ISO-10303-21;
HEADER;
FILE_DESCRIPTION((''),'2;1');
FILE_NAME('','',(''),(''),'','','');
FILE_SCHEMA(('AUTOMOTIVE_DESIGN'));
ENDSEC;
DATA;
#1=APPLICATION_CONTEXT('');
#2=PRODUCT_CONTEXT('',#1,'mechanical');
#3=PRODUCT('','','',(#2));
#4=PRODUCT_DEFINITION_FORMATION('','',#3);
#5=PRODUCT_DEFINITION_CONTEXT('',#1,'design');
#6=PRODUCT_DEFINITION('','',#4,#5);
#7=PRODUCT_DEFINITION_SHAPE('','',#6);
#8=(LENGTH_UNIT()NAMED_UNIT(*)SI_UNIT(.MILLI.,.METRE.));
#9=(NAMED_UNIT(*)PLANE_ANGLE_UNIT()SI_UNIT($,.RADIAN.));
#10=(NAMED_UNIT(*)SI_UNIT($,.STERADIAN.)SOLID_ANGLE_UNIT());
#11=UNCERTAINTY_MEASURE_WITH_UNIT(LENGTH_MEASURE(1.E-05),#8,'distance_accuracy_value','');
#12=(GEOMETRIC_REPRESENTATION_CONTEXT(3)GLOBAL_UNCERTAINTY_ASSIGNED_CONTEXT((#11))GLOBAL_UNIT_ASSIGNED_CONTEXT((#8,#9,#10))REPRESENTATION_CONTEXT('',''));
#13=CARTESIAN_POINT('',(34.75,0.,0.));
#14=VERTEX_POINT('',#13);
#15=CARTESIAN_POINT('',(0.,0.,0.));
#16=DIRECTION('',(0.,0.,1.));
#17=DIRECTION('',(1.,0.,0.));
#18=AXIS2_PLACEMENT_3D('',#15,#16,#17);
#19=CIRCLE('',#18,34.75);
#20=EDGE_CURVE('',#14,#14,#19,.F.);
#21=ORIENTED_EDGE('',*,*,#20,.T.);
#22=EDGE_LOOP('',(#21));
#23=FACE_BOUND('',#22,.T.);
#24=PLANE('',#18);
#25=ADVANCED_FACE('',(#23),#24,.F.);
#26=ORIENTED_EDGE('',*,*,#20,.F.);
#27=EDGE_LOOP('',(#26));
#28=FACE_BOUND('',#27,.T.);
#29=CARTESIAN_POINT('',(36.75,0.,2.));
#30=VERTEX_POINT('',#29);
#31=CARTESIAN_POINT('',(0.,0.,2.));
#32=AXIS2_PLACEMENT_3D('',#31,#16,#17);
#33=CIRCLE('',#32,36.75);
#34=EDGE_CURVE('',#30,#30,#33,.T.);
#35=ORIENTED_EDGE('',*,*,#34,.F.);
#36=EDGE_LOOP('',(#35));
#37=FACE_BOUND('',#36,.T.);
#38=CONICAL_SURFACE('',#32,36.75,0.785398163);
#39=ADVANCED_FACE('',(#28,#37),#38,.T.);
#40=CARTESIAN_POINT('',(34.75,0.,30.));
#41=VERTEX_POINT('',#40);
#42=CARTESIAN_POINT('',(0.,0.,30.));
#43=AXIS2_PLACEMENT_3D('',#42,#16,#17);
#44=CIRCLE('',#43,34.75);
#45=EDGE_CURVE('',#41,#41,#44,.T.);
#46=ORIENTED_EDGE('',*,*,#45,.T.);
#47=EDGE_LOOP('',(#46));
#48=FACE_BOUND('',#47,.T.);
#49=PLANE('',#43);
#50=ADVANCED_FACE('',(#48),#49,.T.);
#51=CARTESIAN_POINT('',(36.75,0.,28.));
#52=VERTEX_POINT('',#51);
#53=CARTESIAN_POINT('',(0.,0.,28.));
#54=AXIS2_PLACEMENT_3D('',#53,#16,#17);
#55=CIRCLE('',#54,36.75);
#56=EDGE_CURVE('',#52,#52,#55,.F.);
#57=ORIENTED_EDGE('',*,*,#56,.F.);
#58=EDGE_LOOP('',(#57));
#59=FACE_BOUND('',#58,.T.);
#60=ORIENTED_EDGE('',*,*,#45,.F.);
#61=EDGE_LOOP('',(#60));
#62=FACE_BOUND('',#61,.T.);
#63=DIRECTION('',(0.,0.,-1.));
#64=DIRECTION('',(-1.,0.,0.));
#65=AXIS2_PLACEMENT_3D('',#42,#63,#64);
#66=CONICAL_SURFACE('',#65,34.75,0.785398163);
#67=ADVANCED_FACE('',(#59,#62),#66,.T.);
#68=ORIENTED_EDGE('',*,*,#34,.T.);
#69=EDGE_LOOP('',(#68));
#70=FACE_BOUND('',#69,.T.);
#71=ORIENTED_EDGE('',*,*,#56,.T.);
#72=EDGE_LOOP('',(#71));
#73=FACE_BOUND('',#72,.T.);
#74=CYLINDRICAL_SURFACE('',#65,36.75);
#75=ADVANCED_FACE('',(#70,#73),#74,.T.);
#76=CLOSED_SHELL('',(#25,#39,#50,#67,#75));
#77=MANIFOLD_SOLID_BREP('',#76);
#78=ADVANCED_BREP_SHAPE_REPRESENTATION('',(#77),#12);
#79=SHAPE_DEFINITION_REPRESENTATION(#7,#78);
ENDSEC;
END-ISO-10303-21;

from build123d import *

# Parameters (mm, degrees)
ESQUISSE1_R      = 36.75
EXTRUSION1_DEPTH = 30
CHANFREIN1_SIZE  = 2
CHANFREIN2_SIZE  = 2


with BuildPart() as part:
    # Esquisse1 → Extrusion1 (new body)
    with BuildSketch(Plane.XY):
        Circle(ESQUISSE1_R)
    extrude(amount=EXTRUSION1_DEPTH)

    # Chanfrein1
    chanfrein1_edges = [part.edges().sort_by_distance(p)[0] for p in [
        (-36.75, 0, 30),
    ]]
    chamfer(chanfrein1_edges, length=CHANFREIN1_SIZE)

    # Chanfrein2
    chanfrein2_edges = [part.edges().sort_by_distance(p)[0] for p in [
        (-36.75, 0, 0),
    ]]
    chamfer(chanfrein2_edges, length=CHANFREIN2_SIZE)


solid = part.part
